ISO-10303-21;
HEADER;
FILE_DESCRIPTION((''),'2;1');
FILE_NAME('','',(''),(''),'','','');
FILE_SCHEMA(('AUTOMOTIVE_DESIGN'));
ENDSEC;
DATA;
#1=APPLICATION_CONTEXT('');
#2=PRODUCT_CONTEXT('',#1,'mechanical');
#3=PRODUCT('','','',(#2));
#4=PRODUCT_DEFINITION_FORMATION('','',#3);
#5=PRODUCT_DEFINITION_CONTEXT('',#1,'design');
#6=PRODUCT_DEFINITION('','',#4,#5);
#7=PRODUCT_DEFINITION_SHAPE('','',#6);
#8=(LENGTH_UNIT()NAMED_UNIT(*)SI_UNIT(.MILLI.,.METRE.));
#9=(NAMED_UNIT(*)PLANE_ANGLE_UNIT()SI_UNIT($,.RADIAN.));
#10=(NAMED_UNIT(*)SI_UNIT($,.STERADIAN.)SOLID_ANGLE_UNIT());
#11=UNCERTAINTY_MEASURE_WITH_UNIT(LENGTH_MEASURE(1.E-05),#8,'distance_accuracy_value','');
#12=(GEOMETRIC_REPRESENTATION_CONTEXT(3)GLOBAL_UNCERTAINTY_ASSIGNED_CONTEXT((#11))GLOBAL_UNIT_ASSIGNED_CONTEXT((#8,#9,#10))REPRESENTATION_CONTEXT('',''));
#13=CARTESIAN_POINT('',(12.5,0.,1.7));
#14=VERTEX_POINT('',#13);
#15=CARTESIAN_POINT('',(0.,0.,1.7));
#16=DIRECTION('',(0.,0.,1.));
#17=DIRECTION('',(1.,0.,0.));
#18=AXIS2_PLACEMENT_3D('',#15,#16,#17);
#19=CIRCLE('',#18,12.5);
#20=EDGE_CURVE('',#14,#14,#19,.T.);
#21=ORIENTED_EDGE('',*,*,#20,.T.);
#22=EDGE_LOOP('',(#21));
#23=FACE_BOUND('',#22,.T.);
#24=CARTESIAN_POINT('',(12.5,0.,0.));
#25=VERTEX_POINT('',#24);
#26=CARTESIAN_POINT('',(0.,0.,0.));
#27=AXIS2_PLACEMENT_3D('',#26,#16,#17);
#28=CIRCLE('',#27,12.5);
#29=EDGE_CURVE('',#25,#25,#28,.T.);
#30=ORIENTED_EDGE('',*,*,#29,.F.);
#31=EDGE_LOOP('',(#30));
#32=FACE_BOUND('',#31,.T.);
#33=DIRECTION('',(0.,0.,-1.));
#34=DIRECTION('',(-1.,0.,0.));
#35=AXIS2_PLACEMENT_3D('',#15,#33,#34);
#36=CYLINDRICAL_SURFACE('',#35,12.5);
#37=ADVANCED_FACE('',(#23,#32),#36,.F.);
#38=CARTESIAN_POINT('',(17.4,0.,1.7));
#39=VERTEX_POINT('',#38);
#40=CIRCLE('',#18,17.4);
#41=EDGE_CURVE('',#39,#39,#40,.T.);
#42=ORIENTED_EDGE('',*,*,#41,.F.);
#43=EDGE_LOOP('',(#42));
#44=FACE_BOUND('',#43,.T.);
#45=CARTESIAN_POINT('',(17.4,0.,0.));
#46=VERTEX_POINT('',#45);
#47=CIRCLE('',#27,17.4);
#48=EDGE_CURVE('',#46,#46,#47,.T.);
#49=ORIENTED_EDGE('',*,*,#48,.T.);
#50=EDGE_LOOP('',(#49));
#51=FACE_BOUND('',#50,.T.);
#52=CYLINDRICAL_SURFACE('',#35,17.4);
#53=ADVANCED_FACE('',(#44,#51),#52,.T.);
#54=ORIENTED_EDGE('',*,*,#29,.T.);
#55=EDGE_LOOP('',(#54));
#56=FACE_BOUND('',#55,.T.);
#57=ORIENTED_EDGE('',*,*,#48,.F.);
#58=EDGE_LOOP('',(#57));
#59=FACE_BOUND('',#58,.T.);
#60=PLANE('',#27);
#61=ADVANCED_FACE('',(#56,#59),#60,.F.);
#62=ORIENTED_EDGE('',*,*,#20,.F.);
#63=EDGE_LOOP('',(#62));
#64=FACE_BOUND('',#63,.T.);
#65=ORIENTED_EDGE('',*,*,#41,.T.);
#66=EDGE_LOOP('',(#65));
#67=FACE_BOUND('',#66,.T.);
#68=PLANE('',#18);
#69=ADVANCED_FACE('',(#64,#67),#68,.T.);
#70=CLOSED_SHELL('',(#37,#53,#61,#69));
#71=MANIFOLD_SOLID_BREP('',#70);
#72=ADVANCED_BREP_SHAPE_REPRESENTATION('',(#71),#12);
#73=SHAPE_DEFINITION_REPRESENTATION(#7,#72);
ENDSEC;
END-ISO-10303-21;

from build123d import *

# Parameters (mm, degrees)
ESQUISSE1_R          = 17.4
ESQUISSE1_R_2        = 12.5
BASE_EXTRUSION_DEPTH = 1.7


with BuildPart() as part:
    # Esquisse1 → Base-Extrusion (new body)
    with BuildSketch(Plane.XY):
        Circle(ESQUISSE1_R)
        Circle(ESQUISSE1_R_2, mode=Mode.SUBTRACT)
    extrude(amount=BASE_EXTRUSION_DEPTH)


solid = part.part
